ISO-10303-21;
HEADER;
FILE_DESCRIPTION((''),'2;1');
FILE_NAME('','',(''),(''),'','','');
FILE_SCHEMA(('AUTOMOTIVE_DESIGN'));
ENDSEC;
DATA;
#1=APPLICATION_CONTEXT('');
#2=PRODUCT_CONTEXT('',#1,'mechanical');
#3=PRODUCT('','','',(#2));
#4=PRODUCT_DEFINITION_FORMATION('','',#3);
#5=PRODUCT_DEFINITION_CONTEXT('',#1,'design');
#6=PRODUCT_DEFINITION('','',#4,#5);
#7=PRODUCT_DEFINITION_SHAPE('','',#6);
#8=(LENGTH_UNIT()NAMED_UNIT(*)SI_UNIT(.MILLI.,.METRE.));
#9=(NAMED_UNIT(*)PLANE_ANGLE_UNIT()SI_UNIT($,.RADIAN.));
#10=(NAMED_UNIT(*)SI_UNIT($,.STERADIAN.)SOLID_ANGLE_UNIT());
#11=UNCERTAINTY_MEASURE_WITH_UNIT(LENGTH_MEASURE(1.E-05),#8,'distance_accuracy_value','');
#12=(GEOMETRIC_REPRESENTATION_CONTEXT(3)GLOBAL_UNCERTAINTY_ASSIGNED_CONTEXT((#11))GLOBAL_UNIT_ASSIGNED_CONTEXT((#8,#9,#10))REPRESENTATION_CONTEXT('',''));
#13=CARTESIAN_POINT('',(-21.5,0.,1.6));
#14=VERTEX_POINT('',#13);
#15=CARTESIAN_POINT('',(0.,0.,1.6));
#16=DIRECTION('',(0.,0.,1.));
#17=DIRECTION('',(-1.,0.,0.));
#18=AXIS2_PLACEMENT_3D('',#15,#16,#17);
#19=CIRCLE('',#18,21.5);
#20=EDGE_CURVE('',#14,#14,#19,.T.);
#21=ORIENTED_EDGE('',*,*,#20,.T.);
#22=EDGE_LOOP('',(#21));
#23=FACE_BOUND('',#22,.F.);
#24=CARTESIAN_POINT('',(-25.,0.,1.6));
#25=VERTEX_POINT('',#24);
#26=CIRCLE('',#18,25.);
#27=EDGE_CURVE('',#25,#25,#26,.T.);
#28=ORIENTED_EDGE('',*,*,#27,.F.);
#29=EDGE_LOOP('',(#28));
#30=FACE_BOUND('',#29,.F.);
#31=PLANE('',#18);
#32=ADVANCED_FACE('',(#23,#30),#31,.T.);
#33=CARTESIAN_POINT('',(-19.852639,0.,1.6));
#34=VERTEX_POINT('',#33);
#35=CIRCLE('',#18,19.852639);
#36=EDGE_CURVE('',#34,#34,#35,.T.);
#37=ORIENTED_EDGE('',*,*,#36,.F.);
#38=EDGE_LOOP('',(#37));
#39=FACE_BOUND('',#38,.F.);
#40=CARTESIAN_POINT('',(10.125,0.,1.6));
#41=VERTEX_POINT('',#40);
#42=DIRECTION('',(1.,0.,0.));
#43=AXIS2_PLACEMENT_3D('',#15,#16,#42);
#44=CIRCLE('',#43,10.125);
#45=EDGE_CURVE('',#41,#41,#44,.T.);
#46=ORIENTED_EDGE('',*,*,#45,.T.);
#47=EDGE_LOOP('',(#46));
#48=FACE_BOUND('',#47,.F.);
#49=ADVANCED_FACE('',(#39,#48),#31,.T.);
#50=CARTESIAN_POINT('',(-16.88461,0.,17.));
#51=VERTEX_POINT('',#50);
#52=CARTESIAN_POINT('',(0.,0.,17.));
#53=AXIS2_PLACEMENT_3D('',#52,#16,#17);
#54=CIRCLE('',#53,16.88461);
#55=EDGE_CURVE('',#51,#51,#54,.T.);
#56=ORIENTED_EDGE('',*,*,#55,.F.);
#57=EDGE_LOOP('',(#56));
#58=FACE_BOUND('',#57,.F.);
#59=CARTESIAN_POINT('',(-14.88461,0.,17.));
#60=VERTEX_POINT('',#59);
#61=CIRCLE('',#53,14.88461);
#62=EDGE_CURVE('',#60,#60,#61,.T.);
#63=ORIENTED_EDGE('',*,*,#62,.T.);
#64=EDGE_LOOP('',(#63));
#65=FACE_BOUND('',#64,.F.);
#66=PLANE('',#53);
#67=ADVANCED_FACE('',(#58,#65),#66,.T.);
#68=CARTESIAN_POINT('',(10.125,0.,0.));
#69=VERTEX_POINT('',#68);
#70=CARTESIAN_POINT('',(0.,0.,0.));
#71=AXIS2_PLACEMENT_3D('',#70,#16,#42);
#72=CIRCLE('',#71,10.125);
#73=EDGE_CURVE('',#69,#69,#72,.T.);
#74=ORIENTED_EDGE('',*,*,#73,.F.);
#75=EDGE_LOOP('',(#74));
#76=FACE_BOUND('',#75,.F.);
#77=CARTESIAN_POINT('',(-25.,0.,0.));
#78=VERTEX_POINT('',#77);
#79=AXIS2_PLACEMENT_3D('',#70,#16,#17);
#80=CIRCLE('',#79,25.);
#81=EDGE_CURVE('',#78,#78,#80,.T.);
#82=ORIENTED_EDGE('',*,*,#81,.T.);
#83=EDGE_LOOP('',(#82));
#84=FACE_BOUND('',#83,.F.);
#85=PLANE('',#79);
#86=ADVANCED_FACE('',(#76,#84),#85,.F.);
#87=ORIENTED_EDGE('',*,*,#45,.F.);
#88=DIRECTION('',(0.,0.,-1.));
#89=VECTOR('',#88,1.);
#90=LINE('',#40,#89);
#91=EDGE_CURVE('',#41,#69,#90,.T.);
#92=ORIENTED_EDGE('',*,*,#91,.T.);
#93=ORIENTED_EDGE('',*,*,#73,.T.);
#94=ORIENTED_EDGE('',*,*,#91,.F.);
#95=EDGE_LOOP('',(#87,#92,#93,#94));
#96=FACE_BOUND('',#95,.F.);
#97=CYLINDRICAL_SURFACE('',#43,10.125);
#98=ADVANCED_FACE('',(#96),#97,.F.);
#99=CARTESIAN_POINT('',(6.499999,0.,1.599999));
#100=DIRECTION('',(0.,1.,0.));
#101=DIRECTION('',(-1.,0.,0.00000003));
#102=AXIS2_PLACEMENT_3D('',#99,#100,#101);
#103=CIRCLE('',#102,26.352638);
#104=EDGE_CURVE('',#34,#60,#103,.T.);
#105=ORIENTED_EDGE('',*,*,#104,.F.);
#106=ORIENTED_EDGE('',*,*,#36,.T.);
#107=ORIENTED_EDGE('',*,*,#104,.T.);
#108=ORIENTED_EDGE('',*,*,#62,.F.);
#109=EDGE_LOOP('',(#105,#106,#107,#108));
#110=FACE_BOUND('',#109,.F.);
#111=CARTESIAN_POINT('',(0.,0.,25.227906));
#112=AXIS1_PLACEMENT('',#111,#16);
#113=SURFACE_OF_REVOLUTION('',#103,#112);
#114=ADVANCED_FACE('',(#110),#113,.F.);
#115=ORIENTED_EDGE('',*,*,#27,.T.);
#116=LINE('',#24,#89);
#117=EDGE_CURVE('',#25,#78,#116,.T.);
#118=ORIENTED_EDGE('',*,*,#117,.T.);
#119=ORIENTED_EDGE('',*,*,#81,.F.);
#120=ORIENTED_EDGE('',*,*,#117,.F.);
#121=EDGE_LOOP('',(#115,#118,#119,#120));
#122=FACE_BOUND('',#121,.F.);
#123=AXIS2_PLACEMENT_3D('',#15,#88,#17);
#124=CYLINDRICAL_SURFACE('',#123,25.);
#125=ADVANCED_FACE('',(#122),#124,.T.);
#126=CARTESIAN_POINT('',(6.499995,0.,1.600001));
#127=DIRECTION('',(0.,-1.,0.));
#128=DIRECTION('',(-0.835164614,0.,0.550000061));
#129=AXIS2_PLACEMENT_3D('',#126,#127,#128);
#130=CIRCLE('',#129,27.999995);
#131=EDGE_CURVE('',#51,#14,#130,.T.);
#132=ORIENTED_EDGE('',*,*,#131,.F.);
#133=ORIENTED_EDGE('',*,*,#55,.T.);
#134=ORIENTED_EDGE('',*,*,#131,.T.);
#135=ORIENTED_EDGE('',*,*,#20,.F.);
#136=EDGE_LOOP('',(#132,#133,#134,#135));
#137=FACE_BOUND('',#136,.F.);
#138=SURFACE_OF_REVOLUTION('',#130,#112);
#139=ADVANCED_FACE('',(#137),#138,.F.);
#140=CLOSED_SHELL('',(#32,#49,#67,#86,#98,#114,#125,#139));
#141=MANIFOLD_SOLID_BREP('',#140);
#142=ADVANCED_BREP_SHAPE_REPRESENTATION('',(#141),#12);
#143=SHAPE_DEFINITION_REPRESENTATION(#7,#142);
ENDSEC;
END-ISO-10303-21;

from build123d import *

# Parameters (mm, degrees)
F2_R     = 10.125
F3_DEPTH = 25


with BuildPart() as f1:
    # F0 (on Front) → F1 (revolve)
    with BuildSketch(Plane.XZ):
        with BuildLine():
            Line((-25, 0), (0, 0))
            Line((0, 0), (0, 1.6))
            Line((0, 1.6), (-19.852639, 1.6))
            ThreePointArc((-19.852639, 1.6), (-18.579897, 9.690756), (-14.88461, 17))
            Line((-14.88461, 17), (-16.88461, 17))
            ThreePointArc((-16.88461, 17), (-20.321345, 9.638374), (-21.5, 1.6))
            Line((-21.5, 1.6), (-25, 1.6))
            Line((-25, 1.6), (-25, 0))
        make_face()
    revolve(axis=Axis((0, 0, 25.227906), (0, 0, 1)))

    # F2 (on face) → F3 (cut)
    with BuildSketch(Plane.XY.offset(1.6)):
        Circle(F2_R)
    extrude(amount=-F3_DEPTH, mode=Mode.SUBTRACT)


solid = f1.part
